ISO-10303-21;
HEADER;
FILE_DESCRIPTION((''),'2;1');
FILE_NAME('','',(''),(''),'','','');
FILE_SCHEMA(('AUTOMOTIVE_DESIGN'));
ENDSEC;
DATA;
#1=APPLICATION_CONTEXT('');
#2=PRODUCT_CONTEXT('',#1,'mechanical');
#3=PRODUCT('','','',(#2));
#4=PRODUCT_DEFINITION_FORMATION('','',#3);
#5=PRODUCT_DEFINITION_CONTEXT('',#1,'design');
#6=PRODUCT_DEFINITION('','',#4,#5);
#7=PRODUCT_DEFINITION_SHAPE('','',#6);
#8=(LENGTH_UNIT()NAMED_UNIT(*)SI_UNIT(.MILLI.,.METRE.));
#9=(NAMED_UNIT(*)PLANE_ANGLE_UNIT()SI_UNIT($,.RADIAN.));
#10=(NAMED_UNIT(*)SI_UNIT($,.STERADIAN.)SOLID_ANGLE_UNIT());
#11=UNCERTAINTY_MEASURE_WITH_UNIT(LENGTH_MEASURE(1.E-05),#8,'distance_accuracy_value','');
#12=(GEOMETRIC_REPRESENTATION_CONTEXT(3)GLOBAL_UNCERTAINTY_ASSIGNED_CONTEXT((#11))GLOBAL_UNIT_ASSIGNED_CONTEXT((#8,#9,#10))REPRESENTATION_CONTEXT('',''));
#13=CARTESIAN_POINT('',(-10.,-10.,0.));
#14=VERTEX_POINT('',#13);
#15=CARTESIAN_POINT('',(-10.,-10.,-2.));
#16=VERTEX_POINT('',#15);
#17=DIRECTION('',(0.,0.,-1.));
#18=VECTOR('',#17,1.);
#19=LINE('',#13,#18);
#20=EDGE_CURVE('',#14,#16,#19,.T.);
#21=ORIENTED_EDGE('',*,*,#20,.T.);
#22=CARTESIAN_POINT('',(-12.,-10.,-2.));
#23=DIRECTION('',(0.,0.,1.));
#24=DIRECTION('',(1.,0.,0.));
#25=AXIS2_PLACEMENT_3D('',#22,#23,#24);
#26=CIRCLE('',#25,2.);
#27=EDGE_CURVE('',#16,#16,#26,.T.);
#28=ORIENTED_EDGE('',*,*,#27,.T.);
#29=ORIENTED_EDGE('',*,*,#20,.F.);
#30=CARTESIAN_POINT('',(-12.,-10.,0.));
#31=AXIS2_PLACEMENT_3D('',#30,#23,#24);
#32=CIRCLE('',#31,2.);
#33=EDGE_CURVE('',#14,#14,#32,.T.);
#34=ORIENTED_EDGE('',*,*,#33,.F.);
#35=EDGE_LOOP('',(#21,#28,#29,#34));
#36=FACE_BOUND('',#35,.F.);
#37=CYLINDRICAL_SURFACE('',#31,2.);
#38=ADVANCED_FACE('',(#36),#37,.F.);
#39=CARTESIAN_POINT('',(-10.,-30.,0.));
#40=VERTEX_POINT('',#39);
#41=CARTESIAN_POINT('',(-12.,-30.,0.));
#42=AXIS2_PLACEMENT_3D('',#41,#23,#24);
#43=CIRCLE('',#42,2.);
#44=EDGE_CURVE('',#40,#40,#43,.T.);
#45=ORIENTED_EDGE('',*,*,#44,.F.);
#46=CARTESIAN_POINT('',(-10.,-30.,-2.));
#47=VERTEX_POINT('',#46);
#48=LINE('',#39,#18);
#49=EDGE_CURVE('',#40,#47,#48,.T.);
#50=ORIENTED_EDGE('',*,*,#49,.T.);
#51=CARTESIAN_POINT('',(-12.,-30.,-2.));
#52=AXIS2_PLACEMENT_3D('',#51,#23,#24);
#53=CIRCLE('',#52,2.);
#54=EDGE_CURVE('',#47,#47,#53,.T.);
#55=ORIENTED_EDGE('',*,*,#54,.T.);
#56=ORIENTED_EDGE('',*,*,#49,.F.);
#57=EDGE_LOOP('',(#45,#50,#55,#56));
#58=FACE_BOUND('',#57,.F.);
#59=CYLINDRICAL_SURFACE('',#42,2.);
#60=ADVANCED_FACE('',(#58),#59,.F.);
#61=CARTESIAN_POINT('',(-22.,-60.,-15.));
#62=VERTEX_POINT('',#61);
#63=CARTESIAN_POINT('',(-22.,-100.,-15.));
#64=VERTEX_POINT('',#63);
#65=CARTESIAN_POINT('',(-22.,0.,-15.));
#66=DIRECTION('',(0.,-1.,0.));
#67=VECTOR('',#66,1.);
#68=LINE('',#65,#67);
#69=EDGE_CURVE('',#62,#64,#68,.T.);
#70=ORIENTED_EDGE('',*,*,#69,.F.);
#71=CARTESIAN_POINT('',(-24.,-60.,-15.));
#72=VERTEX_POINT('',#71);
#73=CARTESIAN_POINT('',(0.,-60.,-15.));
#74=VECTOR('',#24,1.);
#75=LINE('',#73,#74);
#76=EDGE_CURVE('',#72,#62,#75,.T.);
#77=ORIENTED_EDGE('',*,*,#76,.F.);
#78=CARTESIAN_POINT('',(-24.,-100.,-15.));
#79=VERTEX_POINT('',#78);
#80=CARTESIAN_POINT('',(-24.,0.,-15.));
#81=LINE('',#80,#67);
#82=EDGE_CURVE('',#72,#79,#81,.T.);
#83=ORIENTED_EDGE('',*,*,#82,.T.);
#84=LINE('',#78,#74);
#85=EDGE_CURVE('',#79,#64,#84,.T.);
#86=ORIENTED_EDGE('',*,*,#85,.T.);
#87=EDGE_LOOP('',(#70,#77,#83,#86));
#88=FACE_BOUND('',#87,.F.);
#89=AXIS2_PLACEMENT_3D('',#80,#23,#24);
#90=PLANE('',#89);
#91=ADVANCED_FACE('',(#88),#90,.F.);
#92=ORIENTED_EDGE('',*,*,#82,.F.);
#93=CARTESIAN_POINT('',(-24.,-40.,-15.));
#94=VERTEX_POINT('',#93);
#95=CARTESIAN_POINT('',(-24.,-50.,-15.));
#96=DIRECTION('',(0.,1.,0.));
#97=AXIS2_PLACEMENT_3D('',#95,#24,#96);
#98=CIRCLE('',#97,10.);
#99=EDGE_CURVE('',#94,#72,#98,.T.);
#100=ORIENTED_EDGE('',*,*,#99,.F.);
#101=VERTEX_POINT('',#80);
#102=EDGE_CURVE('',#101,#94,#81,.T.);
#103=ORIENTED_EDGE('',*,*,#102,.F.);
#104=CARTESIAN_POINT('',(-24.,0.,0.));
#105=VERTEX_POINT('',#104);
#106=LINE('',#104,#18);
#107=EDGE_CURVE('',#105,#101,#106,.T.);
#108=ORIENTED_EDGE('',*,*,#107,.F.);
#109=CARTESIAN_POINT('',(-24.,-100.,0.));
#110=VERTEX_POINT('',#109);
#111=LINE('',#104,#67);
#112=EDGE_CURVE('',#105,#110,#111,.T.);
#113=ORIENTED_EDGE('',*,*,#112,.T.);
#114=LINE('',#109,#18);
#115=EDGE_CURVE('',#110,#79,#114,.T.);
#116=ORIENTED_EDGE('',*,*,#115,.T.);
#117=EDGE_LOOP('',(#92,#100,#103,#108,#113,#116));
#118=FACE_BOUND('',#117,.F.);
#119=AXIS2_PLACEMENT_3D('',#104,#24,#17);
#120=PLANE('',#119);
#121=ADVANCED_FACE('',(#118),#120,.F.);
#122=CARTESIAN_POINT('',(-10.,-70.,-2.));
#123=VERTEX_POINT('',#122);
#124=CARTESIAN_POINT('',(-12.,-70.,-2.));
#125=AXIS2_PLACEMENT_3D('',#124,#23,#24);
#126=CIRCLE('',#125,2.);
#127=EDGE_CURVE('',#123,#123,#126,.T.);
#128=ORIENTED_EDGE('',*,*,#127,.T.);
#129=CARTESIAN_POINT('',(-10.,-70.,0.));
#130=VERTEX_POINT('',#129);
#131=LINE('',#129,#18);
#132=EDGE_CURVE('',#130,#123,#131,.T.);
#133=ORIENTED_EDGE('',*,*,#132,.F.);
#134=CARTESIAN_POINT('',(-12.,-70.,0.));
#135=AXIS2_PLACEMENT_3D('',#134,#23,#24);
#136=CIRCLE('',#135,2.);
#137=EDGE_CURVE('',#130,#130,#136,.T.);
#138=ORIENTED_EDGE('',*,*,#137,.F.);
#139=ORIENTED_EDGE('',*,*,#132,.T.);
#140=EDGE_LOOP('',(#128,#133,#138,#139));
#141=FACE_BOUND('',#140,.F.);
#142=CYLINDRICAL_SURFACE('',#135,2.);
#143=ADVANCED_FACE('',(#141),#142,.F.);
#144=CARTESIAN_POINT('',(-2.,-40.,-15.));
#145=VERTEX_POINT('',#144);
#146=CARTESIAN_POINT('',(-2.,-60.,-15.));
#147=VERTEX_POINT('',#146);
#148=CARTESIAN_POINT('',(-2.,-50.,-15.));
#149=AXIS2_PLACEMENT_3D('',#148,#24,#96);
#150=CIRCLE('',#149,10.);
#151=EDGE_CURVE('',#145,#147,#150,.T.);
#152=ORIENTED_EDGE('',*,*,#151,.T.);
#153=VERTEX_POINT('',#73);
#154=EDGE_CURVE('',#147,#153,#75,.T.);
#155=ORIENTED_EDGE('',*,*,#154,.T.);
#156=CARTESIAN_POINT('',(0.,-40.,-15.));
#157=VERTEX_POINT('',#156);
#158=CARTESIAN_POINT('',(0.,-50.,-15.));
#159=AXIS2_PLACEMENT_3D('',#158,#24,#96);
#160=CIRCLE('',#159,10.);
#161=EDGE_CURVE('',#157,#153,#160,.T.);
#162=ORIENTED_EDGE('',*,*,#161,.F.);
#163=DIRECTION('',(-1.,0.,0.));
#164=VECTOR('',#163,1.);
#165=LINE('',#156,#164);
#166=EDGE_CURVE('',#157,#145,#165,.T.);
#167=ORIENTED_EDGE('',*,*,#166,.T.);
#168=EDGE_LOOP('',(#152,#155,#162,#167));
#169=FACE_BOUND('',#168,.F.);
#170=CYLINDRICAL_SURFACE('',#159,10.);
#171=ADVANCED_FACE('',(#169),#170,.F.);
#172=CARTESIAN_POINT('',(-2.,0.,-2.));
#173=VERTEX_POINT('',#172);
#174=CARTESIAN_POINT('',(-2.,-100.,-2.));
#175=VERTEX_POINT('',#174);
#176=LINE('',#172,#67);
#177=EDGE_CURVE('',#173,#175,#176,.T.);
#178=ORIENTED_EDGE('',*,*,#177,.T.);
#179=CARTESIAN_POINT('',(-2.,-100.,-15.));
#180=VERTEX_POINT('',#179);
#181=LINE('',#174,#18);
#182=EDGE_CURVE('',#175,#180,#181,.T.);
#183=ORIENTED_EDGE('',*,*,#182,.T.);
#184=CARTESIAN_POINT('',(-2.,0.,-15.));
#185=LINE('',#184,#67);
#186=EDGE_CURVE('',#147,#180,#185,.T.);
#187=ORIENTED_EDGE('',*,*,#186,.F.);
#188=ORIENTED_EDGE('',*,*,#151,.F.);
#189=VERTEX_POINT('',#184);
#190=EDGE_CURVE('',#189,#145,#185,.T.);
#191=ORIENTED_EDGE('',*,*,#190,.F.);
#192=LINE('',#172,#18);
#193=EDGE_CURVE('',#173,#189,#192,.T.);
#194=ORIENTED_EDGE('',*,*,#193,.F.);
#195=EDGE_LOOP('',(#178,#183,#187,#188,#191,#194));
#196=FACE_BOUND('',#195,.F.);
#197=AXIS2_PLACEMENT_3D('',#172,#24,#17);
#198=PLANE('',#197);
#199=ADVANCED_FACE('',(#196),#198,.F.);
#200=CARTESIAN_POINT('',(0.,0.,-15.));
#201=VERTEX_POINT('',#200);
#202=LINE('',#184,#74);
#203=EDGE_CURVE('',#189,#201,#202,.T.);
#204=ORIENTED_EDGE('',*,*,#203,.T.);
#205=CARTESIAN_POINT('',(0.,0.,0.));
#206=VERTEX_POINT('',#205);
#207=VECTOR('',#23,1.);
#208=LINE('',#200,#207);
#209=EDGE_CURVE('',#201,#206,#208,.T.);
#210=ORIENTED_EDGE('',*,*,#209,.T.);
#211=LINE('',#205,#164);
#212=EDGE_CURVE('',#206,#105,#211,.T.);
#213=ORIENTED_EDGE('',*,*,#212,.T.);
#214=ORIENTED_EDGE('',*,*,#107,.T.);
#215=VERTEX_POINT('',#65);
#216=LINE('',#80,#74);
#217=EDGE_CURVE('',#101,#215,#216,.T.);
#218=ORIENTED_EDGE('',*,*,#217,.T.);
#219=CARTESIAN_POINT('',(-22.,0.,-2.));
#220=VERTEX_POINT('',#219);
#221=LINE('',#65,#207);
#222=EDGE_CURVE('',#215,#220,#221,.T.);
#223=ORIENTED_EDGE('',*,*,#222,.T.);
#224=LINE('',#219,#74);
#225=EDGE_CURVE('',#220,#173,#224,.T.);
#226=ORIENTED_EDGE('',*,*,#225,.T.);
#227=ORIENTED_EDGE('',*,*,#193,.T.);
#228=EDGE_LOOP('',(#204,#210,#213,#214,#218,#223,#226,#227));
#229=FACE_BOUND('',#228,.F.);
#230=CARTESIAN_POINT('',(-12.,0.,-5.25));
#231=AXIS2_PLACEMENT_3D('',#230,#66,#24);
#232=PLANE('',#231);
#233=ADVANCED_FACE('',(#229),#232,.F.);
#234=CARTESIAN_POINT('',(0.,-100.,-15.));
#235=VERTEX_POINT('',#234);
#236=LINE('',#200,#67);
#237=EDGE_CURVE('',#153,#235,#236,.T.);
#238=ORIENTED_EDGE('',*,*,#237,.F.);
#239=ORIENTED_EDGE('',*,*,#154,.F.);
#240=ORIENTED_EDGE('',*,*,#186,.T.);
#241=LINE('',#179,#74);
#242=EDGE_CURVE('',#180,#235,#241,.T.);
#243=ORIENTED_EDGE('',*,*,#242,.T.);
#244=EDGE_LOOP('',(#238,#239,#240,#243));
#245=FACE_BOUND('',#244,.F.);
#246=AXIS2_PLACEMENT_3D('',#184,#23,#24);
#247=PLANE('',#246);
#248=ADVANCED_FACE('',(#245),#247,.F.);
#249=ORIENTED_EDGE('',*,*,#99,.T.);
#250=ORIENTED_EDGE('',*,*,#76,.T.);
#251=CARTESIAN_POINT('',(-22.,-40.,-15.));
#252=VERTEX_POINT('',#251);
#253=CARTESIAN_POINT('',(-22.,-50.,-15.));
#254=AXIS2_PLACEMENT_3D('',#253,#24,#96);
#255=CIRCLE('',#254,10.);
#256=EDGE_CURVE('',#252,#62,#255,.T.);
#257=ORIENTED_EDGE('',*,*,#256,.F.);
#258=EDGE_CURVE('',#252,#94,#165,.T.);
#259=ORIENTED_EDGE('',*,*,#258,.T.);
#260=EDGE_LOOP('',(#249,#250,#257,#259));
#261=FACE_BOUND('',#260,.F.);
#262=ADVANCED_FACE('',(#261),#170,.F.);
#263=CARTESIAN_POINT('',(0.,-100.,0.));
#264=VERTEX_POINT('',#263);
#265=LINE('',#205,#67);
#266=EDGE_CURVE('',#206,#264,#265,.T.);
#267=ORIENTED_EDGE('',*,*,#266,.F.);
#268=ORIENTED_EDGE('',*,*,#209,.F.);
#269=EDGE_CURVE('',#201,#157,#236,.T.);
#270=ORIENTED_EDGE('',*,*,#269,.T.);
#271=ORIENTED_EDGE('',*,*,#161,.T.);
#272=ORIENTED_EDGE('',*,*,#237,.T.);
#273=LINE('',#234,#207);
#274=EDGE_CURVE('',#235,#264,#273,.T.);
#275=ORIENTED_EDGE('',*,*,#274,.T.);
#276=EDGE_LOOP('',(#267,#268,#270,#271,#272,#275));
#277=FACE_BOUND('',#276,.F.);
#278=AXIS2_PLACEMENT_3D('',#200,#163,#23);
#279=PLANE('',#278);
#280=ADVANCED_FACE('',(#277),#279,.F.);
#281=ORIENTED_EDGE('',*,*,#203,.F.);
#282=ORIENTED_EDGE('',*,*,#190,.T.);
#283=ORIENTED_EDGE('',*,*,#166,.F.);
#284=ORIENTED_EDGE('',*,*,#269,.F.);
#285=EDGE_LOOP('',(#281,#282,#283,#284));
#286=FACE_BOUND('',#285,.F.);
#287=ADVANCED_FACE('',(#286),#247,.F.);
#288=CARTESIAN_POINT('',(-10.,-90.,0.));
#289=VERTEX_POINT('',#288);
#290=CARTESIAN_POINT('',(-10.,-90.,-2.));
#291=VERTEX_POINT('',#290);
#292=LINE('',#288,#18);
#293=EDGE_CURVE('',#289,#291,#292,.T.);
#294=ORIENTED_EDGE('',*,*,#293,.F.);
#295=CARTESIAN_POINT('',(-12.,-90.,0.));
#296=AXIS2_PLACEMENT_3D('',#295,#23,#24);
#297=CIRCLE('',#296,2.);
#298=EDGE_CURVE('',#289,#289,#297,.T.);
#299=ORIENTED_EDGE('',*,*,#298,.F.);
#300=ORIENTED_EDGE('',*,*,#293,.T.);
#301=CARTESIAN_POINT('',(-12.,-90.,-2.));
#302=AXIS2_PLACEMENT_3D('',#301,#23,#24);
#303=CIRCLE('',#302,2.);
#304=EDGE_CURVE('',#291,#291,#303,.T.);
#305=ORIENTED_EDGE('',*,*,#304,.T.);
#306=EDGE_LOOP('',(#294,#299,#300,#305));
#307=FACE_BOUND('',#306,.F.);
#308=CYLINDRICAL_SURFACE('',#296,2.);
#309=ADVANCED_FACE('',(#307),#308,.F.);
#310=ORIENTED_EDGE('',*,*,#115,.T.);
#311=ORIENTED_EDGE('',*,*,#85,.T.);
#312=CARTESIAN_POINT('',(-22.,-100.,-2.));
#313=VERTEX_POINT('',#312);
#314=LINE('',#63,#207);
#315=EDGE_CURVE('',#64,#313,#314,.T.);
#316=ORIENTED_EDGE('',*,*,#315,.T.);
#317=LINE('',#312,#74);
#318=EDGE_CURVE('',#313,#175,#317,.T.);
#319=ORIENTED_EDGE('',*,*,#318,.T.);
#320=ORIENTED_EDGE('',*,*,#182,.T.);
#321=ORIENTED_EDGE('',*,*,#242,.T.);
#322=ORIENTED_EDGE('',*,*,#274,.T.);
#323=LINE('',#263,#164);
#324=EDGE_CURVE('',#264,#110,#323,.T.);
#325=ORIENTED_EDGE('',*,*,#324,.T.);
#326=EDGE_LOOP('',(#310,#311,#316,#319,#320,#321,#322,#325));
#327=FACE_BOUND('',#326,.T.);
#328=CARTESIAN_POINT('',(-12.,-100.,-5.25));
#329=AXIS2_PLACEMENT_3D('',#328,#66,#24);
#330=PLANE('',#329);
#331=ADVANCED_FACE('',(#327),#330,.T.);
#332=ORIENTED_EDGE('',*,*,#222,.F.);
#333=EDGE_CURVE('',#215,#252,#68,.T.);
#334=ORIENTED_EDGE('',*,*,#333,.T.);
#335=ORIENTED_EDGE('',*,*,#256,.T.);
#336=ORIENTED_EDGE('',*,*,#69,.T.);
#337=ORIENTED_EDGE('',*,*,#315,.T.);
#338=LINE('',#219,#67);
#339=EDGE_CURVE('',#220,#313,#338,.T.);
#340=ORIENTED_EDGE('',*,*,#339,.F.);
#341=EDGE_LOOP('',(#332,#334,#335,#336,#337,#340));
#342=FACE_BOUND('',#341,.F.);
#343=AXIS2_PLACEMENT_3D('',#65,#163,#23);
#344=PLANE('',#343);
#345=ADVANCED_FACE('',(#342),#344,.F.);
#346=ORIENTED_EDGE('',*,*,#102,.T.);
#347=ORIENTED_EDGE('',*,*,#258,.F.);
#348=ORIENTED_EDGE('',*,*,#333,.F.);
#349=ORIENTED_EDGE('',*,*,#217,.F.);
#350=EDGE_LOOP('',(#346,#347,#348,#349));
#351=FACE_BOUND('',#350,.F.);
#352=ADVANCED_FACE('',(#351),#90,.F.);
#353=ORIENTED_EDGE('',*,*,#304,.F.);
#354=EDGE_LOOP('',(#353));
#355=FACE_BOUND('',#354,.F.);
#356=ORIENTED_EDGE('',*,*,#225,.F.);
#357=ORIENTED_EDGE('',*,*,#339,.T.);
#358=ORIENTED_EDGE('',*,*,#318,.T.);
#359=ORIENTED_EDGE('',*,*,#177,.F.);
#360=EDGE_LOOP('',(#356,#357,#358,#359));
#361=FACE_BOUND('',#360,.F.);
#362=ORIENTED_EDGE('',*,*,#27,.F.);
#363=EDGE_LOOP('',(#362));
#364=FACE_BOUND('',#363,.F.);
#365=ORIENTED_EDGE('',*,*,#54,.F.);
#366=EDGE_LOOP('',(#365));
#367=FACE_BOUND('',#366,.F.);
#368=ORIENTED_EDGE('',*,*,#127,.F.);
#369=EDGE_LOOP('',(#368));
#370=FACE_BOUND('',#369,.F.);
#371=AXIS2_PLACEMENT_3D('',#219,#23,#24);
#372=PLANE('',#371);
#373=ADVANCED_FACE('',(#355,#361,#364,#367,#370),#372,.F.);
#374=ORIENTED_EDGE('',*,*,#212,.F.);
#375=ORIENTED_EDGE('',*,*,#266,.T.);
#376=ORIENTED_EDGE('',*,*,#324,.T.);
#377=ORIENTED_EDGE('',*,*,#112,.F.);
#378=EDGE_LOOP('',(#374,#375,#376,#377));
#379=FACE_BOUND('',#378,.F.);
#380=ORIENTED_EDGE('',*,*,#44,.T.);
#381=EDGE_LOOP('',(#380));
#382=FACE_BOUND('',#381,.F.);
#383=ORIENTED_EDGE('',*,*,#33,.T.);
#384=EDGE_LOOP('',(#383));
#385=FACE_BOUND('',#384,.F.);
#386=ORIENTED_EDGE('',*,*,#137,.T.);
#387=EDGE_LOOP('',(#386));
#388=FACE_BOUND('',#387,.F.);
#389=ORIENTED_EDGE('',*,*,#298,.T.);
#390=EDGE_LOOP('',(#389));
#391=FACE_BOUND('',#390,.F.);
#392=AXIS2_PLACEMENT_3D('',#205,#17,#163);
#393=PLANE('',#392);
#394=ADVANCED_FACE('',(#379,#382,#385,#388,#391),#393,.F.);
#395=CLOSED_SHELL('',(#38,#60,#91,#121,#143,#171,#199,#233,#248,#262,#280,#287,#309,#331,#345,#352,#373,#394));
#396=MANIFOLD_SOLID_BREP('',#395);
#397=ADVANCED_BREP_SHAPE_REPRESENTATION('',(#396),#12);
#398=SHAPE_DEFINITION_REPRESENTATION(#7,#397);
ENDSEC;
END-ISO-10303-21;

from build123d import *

# Parameters (mm, degrees)
F1_DEPTH = 100
F2_R     = 10
F3_DEPTH = 25
F4_R     = 2
F5_DEPTH = 25


with BuildPart() as f1:
    # F0 (on Front) → F1 (new body)
    with BuildSketch(Plane.XZ):
        Polygon((0, -15), (0, 0), (-24, 0), (-24, -15), (-22, -15), (-22, -2), (-2, -2), (-2, -15), align=None)
    extrude(amount=F1_DEPTH)

    # F2 (on face) → F3 (cut)
    with BuildSketch(Plane.YZ):
        with Locations((-50, -15)):
            Circle(F2_R)
    extrude(amount=-F3_DEPTH, mode=Mode.SUBTRACT)

    # F4 (on face) → F5 (cut)
    with BuildSketch(Plane.XY):
        with Locations((-12, -90)):
            Circle(F4_R)
        with Locations((-12, -70)):
            Circle(F4_R)
        with Locations((-12, -30)):
            Circle(F4_R)
        with Locations((-12, -10)):
            Circle(F4_R)
    extrude(amount=-F5_DEPTH, mode=Mode.SUBTRACT)


solid = f1.part
